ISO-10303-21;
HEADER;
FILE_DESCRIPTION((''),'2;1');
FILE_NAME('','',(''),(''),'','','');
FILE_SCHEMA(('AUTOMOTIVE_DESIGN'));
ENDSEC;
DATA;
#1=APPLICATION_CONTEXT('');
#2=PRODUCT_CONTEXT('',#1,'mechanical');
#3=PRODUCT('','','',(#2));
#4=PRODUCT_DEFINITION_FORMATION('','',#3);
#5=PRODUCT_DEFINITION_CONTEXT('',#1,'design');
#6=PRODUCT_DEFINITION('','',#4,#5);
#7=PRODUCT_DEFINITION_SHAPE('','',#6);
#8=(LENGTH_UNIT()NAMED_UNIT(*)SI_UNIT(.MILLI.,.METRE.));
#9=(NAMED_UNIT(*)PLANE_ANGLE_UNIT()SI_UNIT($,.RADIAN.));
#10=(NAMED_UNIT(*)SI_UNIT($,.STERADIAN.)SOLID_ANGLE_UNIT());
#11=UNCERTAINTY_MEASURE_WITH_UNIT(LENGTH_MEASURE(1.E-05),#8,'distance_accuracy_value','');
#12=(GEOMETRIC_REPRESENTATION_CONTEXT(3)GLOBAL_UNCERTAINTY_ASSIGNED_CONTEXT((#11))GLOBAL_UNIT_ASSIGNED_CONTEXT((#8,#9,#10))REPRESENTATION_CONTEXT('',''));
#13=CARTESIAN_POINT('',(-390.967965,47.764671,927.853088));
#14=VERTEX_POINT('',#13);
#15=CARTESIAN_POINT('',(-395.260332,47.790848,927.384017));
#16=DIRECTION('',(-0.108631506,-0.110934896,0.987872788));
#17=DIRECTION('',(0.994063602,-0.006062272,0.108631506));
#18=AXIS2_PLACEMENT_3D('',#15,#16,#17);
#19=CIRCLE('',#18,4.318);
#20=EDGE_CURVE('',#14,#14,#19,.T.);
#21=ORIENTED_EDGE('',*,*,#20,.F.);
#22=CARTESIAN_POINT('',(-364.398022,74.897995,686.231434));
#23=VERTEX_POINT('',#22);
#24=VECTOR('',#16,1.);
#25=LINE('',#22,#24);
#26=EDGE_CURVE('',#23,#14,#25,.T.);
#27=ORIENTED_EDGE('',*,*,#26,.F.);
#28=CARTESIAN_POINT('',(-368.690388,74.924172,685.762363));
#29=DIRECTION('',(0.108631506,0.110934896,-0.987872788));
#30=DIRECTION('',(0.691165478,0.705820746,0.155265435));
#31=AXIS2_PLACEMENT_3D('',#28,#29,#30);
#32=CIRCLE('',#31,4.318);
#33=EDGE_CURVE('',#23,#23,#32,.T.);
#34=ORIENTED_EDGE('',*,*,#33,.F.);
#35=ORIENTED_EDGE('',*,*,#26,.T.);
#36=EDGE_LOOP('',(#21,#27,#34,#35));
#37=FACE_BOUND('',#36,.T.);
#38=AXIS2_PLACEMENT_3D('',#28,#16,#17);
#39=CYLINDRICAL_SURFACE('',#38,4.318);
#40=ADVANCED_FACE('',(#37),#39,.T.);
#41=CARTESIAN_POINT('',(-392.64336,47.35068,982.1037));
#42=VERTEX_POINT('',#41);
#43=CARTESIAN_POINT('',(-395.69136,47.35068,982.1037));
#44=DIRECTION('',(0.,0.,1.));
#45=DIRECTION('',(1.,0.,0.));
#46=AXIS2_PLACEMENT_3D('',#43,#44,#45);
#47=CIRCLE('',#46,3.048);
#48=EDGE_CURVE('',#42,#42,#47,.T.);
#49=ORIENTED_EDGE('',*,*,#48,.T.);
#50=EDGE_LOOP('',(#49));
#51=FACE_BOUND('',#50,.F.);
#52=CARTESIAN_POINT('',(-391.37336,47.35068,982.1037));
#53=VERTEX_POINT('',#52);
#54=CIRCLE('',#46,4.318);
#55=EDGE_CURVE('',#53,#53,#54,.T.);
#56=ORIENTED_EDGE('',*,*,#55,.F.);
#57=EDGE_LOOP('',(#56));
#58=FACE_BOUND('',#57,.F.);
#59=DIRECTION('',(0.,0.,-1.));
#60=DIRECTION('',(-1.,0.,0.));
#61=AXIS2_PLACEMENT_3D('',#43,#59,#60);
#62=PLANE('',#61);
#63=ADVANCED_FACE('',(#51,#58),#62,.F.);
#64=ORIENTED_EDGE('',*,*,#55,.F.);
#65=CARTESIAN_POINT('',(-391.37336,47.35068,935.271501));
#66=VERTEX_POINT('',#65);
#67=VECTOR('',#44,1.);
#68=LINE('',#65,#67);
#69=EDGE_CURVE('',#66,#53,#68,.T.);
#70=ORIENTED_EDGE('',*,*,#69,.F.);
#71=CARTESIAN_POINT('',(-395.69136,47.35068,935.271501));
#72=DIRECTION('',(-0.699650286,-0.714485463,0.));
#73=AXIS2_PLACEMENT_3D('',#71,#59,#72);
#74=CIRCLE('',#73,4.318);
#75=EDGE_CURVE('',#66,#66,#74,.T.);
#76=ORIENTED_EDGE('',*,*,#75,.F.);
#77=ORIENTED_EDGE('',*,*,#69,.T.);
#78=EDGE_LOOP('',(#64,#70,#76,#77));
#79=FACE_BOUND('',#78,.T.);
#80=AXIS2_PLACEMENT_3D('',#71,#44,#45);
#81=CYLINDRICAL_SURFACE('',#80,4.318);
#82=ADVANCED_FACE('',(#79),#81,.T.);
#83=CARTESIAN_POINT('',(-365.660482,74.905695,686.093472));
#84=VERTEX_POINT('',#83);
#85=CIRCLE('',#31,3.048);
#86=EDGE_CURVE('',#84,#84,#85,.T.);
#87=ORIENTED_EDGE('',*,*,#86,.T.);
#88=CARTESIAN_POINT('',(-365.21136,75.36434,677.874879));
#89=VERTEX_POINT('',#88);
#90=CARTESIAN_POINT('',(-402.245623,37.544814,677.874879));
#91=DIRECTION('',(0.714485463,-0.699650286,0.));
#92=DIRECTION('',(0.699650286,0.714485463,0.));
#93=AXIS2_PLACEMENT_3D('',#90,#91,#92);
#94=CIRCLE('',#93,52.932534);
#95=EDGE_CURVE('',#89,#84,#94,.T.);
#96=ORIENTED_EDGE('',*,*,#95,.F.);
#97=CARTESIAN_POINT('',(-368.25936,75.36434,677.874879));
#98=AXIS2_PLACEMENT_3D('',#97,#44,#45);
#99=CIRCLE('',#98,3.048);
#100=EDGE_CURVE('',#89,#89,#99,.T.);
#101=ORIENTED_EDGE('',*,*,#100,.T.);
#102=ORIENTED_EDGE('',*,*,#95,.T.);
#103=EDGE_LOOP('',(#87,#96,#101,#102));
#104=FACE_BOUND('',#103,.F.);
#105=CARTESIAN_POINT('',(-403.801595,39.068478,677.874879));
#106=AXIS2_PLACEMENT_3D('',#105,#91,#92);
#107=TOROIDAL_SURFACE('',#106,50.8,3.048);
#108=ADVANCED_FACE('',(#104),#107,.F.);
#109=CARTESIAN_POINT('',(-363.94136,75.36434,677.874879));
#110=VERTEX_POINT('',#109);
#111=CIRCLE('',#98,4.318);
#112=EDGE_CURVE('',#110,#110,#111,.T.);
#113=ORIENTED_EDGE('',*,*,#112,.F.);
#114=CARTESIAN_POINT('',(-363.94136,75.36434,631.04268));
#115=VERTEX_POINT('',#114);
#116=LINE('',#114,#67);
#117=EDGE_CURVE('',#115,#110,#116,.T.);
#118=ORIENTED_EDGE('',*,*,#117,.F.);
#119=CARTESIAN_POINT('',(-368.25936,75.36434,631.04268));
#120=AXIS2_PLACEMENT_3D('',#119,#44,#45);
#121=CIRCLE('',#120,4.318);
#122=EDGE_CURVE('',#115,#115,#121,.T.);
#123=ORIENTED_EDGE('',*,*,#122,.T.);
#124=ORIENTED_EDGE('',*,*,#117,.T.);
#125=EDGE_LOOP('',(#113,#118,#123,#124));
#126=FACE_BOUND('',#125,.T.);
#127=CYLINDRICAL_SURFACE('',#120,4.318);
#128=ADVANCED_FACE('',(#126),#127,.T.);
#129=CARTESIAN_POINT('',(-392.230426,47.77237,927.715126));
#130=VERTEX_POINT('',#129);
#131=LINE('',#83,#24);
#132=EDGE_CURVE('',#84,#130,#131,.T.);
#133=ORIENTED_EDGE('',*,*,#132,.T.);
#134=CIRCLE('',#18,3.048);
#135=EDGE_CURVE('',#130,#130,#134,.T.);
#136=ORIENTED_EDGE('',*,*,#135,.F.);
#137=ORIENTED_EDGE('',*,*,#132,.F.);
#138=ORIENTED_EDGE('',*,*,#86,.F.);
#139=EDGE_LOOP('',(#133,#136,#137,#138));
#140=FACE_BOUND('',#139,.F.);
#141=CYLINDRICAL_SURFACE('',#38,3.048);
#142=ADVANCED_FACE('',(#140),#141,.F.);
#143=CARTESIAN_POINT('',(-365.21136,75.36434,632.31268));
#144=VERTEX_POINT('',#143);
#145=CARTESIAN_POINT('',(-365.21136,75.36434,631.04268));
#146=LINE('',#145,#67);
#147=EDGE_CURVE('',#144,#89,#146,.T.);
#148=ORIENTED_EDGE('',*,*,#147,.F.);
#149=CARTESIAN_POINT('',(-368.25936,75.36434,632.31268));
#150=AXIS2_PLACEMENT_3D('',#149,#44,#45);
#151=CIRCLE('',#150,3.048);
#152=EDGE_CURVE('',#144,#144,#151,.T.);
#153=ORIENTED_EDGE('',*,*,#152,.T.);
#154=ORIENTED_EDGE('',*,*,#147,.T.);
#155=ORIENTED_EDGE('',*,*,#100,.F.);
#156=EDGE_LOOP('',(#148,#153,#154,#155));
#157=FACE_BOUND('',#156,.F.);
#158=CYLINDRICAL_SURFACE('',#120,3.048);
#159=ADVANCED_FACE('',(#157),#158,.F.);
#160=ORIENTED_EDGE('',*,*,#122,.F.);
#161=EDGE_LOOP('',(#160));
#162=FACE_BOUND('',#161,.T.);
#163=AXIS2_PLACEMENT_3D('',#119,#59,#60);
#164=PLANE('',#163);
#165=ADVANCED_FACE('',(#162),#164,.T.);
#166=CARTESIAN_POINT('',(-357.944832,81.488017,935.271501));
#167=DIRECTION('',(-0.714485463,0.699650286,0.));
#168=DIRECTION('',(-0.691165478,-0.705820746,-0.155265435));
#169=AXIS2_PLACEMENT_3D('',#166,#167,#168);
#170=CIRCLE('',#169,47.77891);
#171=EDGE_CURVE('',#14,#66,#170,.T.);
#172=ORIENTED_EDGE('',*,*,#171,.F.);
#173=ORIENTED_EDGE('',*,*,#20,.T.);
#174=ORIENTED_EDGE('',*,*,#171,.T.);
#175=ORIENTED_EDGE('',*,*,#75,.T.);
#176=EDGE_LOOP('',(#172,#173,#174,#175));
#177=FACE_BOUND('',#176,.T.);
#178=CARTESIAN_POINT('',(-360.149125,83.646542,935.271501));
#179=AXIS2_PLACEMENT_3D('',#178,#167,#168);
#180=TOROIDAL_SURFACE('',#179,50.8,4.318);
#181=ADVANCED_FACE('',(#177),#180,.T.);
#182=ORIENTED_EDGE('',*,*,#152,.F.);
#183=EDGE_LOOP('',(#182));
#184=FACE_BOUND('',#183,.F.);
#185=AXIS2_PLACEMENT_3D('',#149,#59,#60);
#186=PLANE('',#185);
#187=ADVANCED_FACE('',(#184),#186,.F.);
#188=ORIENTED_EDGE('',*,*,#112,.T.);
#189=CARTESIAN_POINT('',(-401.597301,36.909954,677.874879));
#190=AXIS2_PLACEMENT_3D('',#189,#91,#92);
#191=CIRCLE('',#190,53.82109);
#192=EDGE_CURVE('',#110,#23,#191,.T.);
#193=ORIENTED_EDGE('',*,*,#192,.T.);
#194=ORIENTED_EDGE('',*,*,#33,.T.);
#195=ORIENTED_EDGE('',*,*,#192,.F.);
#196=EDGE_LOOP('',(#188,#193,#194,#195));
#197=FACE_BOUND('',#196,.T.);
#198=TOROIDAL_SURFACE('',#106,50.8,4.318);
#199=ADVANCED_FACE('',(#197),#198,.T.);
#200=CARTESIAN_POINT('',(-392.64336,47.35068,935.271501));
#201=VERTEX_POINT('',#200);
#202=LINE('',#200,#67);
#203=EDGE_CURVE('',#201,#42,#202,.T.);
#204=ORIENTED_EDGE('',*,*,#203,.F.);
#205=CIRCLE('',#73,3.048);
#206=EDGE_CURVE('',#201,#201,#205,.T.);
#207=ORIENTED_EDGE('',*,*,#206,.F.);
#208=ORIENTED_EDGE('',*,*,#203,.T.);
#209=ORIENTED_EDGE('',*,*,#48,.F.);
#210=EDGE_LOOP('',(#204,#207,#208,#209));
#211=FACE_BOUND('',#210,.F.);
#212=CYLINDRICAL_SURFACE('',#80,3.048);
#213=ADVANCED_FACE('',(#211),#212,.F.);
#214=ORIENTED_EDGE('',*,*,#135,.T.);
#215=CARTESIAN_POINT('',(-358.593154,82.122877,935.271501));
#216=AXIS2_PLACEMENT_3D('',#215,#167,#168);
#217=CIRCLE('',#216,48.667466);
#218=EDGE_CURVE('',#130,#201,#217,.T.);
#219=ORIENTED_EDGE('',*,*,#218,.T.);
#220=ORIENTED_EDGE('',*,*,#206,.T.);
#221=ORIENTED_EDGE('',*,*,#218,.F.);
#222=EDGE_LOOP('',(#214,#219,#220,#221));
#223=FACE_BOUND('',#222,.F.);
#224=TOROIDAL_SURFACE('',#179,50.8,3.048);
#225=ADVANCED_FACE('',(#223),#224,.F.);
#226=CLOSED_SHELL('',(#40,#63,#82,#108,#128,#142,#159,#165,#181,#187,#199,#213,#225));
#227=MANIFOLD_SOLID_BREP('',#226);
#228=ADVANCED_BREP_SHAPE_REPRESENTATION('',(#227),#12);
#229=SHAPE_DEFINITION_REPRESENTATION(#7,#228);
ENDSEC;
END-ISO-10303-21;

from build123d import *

# Parameters (mm, degrees)
F8_R  = 4.318
F18_T = -1.27


with BuildPart() as f17:
    # F17: sweep along a path in F17_path
    with BuildLine(Plane(origin=(-368.25936, 75.36434, 631.04268), x_dir=(0.699650286, 0.7144854633, 0), z_dir=(-0.7144854633, 0.699650286, 0))) as f17_path:
        Line((0, 0), (0, -46.832198764))
        ThreePointArc((0, -46.832198764), (-0.1542497794, -50.7879521168), (-0.6160623854, -54.719682868))
        Line((-0.6160623854, -54.719682868), (-38.5920971047, -296.341337132))
        ThreePointArc((-38.5920971047, -296.341337132), (-39.0539097107, -300.2730678832), (-39.20815949, -304.228821236))
        Line((-39.20815949, -304.228821236), (-39.20815949, -351.06102))
    # F8 (on line) → F17 (sweep)
    with BuildSketch(Plane(origin=(0, 0, 631.04268), x_dir=(1, 0, 0), z_dir=(0, 0, -1))):
        with Locations((-368.25936, -75.36434)):
            Circle(F8_R)
    sweep(path=f17_path.line)

    # F18
    f18_openings = [f17.faces().sort_by_distance(p)[0] for p in [
        (-395.69136, 47.35068, 982.1037),
    ]]
    offset(amount=F18_T, openings=f18_openings)


solid = f17.part
